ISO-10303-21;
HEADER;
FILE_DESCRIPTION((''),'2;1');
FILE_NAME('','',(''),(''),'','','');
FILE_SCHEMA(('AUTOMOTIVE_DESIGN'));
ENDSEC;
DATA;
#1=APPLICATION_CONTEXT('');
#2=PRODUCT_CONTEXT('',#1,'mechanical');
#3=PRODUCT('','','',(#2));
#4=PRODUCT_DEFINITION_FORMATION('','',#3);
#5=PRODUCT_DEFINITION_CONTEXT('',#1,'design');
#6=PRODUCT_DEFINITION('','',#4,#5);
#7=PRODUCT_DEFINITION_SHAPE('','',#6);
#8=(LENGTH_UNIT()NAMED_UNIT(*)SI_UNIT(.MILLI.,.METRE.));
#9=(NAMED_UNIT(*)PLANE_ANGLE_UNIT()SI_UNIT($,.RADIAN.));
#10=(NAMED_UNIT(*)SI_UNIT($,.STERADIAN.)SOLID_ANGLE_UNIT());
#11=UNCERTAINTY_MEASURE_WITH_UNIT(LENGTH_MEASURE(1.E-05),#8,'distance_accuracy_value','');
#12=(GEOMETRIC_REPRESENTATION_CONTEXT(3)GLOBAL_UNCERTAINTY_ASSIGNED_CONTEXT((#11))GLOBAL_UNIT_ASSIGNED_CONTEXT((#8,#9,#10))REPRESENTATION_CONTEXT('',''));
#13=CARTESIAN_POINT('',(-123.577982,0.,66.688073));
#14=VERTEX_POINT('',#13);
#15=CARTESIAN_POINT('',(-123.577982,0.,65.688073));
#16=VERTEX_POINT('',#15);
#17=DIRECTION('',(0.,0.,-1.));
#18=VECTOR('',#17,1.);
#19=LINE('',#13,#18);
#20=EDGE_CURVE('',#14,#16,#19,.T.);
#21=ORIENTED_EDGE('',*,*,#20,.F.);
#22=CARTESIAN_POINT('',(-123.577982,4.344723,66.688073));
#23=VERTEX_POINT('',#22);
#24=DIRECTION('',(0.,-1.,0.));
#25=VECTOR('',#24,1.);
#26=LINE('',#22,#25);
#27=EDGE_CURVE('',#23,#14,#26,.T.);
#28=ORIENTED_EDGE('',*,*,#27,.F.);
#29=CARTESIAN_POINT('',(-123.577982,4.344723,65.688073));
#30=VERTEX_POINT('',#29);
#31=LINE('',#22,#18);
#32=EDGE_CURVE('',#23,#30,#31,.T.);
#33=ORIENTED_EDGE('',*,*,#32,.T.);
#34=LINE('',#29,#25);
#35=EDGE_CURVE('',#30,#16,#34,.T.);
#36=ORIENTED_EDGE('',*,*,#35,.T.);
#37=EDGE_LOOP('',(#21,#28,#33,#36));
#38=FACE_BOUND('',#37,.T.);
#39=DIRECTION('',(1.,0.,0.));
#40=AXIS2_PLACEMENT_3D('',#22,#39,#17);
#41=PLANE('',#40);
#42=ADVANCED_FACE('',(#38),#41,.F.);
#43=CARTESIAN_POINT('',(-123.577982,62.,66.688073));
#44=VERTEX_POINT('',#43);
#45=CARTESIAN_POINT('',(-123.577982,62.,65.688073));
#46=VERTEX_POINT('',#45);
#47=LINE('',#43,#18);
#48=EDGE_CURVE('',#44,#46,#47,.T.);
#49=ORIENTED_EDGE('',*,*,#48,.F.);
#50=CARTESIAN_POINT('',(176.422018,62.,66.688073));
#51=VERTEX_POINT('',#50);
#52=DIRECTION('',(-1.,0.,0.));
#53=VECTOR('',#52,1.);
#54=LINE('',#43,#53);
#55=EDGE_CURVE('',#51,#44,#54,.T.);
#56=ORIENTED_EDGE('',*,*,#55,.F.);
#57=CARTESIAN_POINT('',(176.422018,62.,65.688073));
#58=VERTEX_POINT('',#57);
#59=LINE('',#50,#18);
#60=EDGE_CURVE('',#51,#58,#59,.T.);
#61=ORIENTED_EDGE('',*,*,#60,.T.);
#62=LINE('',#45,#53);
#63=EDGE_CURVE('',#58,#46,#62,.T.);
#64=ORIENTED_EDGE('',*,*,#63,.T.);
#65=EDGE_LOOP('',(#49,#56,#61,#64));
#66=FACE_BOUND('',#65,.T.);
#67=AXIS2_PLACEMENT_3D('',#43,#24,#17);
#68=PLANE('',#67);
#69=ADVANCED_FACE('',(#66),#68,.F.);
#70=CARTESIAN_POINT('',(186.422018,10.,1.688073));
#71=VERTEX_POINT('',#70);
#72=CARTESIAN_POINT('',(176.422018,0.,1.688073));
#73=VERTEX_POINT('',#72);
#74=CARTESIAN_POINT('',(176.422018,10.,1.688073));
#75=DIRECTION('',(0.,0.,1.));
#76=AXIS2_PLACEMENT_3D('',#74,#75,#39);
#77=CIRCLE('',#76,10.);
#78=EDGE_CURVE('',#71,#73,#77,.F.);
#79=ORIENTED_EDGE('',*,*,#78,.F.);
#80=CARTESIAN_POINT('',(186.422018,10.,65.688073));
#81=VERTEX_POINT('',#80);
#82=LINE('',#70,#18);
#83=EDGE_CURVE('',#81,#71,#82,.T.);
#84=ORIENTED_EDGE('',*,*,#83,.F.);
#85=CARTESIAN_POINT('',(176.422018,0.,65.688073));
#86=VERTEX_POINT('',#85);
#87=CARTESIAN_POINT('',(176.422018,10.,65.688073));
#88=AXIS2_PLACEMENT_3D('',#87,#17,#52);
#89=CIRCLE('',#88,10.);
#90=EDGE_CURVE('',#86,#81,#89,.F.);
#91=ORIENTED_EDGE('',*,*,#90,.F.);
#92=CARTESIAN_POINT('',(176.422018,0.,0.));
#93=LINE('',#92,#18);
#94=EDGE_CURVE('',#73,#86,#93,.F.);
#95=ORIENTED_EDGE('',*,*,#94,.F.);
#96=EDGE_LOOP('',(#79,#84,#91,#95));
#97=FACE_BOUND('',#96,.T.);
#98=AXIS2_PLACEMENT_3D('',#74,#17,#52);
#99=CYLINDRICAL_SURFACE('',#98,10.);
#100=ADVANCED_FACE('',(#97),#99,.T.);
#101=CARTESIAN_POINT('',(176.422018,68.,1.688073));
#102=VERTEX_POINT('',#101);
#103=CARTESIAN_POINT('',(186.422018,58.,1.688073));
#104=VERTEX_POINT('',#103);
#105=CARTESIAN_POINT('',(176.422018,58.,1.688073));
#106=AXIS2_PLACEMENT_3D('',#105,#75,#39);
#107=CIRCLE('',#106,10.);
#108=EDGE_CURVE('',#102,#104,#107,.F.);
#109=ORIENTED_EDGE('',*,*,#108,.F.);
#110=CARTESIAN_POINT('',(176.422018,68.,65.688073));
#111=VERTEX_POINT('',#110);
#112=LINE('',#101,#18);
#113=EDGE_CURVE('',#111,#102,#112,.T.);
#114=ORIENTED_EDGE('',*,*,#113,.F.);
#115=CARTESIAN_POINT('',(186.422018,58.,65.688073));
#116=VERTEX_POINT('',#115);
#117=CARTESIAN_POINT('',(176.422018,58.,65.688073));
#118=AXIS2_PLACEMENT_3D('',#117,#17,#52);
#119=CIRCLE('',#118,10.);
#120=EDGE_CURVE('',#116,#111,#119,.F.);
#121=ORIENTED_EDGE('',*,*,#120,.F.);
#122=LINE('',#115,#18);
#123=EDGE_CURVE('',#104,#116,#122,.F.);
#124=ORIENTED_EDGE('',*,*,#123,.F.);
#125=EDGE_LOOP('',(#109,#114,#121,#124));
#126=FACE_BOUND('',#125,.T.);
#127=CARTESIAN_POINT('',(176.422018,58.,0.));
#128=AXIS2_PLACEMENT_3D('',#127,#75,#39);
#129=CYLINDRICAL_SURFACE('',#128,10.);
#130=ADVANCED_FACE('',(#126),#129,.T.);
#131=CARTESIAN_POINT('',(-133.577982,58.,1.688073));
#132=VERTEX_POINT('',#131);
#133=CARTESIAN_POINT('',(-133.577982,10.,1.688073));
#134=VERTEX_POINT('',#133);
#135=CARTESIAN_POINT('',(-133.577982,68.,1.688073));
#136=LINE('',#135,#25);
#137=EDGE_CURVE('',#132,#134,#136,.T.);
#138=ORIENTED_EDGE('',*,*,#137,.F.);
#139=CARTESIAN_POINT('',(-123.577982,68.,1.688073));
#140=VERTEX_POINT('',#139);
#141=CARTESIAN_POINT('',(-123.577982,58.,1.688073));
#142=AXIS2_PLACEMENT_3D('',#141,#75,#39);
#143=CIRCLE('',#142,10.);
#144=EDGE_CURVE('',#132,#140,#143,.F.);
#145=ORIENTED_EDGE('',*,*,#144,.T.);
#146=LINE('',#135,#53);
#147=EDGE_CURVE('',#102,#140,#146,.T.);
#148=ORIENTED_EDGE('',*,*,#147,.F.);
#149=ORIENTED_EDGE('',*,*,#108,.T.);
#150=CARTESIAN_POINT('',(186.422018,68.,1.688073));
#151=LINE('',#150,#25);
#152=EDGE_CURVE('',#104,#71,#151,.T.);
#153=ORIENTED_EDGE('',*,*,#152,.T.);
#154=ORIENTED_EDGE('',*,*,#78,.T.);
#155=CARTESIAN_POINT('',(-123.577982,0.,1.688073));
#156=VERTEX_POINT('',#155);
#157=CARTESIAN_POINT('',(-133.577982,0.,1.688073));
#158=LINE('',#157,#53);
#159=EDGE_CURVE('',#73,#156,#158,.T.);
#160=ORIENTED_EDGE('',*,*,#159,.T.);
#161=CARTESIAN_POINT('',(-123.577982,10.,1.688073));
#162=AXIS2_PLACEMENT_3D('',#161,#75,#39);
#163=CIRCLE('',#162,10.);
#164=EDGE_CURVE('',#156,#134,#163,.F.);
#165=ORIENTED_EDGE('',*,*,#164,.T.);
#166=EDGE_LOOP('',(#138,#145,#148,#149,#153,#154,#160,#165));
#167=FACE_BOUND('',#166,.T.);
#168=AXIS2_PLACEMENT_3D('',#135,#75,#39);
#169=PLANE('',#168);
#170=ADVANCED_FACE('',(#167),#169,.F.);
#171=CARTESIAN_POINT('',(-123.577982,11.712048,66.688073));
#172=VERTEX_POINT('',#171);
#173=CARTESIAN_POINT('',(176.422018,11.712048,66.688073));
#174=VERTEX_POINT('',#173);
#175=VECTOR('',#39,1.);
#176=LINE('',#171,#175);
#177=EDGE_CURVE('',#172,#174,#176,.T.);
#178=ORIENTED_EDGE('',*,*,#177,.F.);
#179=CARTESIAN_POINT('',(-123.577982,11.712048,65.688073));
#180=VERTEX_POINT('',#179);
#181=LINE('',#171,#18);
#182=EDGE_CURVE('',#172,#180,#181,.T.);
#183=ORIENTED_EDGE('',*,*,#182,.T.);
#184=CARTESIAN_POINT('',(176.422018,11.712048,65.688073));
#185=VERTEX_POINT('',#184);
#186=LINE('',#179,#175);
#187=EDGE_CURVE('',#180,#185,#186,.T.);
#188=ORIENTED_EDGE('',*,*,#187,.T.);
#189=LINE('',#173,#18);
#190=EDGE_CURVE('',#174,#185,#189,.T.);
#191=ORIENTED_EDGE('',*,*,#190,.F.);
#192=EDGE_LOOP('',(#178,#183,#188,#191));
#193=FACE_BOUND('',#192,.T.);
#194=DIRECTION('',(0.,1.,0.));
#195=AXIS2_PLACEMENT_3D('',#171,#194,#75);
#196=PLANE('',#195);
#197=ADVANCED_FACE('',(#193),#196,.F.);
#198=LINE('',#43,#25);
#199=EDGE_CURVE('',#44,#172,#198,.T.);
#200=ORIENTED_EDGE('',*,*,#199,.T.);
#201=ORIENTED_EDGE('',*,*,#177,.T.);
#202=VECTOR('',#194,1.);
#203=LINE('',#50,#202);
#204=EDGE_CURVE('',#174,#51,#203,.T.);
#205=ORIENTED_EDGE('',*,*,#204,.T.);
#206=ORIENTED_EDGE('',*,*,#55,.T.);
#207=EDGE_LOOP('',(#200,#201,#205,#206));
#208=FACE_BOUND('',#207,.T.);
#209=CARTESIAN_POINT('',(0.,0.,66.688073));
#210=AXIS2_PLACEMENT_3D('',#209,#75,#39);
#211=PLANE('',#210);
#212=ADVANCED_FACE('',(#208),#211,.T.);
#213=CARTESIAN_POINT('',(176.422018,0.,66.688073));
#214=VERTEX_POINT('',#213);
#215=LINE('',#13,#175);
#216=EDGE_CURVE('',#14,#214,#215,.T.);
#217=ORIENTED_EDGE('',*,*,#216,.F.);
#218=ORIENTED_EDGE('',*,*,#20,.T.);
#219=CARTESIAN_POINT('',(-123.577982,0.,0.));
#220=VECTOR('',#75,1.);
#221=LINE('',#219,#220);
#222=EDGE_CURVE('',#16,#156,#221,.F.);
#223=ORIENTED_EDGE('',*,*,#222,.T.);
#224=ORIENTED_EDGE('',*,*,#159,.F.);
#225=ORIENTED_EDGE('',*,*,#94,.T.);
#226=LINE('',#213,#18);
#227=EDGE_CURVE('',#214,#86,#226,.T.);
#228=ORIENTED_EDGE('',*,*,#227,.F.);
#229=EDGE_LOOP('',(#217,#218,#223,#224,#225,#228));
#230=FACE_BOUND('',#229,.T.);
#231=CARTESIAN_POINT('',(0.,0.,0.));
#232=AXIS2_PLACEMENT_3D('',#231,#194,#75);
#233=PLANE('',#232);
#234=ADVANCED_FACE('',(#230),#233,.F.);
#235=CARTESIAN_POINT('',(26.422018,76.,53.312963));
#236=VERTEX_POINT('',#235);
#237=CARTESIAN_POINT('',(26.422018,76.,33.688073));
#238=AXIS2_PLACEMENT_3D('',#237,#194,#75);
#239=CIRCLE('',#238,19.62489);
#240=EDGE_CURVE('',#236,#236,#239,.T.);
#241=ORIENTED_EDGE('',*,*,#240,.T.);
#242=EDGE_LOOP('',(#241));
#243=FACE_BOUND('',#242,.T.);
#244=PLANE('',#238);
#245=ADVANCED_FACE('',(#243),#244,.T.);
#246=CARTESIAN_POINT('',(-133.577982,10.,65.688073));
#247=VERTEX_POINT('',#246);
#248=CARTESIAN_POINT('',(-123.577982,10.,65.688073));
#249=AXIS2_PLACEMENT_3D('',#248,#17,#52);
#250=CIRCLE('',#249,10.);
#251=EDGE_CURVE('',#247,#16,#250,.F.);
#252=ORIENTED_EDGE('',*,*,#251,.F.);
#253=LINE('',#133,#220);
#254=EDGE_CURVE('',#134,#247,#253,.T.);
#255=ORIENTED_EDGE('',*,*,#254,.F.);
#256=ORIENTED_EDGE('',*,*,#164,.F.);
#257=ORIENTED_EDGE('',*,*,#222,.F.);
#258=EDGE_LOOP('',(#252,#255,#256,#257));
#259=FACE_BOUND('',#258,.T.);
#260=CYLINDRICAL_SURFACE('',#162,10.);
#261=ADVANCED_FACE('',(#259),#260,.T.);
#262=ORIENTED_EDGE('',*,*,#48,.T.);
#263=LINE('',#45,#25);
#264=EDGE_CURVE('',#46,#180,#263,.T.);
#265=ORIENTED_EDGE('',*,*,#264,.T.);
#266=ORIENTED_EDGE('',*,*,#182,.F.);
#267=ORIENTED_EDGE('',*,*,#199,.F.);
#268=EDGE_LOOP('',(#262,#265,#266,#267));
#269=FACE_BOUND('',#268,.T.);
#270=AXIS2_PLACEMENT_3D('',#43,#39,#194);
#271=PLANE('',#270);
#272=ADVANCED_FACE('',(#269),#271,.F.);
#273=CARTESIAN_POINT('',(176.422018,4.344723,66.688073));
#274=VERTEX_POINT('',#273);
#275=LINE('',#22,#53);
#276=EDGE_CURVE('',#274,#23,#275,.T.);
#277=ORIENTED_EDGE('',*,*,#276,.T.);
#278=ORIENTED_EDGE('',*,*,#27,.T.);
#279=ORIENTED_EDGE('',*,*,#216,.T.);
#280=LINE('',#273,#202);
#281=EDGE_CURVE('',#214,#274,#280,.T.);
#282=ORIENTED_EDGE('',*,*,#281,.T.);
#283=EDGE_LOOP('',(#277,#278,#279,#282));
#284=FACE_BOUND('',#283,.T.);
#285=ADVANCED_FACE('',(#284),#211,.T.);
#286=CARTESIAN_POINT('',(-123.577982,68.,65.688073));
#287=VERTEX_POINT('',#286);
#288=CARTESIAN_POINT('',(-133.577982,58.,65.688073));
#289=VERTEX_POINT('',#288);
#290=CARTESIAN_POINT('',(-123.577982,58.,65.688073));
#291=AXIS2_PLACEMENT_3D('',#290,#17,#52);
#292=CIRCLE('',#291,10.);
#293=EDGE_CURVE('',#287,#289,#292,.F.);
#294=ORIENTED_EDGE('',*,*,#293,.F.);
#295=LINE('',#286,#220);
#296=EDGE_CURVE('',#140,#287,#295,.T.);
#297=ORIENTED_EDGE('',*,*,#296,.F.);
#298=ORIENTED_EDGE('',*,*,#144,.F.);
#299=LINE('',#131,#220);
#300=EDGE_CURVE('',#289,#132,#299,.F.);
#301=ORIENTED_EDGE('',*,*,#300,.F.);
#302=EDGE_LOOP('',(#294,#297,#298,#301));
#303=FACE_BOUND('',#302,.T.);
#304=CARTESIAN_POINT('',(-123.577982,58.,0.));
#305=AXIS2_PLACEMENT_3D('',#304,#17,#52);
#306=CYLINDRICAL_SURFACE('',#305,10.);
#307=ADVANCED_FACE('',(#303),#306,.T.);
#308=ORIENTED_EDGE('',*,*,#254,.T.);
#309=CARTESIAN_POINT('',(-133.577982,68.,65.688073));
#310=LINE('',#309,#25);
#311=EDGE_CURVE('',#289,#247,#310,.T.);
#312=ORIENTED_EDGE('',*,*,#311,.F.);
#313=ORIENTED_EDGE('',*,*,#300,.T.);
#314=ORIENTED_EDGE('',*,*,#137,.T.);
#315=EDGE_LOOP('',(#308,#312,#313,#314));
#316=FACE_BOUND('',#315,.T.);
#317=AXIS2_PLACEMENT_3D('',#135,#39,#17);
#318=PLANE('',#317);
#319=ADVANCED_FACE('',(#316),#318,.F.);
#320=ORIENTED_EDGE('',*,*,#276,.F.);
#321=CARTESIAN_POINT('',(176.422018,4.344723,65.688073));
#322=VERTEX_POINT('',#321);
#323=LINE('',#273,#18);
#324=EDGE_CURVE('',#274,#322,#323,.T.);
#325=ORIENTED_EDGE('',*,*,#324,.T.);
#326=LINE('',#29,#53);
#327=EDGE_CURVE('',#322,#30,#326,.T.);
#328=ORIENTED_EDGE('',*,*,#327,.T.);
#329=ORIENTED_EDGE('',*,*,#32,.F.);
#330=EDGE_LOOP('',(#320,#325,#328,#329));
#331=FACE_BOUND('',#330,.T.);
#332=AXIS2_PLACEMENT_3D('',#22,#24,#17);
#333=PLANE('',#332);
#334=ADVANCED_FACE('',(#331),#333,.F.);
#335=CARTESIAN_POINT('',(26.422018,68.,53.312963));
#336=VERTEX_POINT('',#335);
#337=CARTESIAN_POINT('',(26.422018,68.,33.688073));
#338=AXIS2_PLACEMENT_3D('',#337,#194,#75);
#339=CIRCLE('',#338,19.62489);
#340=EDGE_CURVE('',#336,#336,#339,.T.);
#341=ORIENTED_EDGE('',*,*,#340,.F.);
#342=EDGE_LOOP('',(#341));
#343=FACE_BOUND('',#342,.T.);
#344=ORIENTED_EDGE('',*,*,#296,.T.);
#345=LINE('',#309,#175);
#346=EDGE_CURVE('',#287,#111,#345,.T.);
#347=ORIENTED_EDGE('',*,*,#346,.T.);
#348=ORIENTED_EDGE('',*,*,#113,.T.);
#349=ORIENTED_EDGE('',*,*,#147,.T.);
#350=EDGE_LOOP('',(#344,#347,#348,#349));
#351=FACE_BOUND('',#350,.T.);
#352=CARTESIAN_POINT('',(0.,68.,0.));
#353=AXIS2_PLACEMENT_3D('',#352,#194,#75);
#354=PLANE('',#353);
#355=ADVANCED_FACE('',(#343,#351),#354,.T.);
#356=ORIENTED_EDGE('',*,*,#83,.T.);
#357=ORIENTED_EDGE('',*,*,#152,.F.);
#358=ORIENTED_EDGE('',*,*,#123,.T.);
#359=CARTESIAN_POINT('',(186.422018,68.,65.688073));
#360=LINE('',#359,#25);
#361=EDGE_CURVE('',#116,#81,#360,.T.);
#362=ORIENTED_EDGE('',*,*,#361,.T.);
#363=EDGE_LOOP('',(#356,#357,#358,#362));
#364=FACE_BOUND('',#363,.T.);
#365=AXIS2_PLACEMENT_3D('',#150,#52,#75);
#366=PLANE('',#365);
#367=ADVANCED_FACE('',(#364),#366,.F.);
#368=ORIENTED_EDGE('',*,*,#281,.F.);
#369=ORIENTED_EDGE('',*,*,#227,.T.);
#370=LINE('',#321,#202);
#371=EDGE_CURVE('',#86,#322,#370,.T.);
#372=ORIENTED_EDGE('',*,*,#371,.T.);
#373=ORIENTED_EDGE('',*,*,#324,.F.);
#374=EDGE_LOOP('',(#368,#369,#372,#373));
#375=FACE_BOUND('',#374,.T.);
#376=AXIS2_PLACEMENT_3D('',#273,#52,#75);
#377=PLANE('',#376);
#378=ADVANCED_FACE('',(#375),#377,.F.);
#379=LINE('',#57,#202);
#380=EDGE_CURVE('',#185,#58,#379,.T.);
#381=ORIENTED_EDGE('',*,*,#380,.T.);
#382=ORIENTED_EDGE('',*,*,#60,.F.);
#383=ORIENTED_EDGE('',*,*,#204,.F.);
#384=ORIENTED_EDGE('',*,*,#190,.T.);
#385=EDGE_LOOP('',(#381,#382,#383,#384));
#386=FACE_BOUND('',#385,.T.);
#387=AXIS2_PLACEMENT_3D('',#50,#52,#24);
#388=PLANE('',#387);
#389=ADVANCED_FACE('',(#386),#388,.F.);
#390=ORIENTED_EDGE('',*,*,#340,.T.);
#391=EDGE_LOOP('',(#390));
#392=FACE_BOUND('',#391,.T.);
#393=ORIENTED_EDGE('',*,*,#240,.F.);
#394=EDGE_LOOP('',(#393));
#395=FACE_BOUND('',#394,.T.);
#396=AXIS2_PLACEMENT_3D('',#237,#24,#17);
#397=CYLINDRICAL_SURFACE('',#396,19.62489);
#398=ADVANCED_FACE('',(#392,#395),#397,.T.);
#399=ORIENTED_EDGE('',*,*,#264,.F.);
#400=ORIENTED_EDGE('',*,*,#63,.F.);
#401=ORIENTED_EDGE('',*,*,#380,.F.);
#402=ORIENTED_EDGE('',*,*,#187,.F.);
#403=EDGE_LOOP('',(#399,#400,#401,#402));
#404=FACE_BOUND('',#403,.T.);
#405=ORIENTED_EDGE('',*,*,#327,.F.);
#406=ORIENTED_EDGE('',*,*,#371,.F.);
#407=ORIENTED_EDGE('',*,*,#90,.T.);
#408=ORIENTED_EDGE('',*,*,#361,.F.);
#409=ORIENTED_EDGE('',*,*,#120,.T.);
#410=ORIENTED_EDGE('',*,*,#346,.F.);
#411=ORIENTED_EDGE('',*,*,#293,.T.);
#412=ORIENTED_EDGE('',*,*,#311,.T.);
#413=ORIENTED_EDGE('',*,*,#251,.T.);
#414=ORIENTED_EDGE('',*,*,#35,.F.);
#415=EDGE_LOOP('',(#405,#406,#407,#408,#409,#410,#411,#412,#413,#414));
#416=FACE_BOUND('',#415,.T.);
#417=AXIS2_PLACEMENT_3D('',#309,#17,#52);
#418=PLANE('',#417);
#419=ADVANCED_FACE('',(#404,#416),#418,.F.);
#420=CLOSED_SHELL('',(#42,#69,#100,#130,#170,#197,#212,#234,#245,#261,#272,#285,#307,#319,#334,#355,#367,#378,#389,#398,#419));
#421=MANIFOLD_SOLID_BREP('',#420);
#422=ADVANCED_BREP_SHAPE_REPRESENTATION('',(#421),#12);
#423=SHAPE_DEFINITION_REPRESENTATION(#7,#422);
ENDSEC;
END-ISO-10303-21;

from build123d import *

# Parameters (mm, degrees)
SKETCH_1_W      = 320
SKETCH_1_H      = 64
EXTRUDE_1_DEPTH = 68
FILLET_1_R      = 10
SKETCH_2_R      = 19.624889804
EXTRUDE_2_DEPTH = 8
SKETCH_3_W      = 300
SKETCH_3_H      = 50.287952294
SKETCH_3_H_2    = 4.344723496
EXTRUDE_3_DEPTH = 1


with BuildPart() as part:
    # 草图1 → 凸台-拉伸1 (new body)
    with BuildSketch(Plane(origin=(0, 0, 0), x_dir=(1, 0, 0), z_dir=(0, 1, 0))):
        with Locations((26.422018349, -33.688073394)):
            Rectangle(SKETCH_1_W, SKETCH_1_H)
    extrude(amount=EXTRUDE_1_DEPTH)

    # 圆角1
    fillet_1_edges = [part.edges().sort_by_distance(p)[0] for p in [
        (186.422018349, 68, 33.688073394),
        (-133.577981651, 68, 33.688073394),
        (186.422018349, 0, 33.688073394),
        (-133.577981651, 0, 33.688073394),
    ]]
    fillet(fillet_1_edges, radius=FILLET_1_R)

    # 草图2 → 凸台-拉伸2 (add)
    with BuildSketch(Plane(origin=(0, 68, 0), x_dir=(1, 0, 0), z_dir=(0, 1, 0))):
        with Locations(Location((26.422018349, -33.688073394, 0), (0, 0, 270))):
            Circle(SKETCH_2_R)
    extrude(amount=EXTRUDE_2_DEPTH)

    # 草图3 → 凸台-拉伸3 (add)
    with BuildSketch(Plane.XY.offset(65.688073394)):
        with Locations((26.422018349, 36.856023853)):
            Rectangle(SKETCH_3_W, SKETCH_3_H)
        with Locations((26.422018349, 2.172361748)):
            Rectangle(SKETCH_3_W, SKETCH_3_H_2)
    extrude(amount=EXTRUDE_3_DEPTH)


solid = part.part
